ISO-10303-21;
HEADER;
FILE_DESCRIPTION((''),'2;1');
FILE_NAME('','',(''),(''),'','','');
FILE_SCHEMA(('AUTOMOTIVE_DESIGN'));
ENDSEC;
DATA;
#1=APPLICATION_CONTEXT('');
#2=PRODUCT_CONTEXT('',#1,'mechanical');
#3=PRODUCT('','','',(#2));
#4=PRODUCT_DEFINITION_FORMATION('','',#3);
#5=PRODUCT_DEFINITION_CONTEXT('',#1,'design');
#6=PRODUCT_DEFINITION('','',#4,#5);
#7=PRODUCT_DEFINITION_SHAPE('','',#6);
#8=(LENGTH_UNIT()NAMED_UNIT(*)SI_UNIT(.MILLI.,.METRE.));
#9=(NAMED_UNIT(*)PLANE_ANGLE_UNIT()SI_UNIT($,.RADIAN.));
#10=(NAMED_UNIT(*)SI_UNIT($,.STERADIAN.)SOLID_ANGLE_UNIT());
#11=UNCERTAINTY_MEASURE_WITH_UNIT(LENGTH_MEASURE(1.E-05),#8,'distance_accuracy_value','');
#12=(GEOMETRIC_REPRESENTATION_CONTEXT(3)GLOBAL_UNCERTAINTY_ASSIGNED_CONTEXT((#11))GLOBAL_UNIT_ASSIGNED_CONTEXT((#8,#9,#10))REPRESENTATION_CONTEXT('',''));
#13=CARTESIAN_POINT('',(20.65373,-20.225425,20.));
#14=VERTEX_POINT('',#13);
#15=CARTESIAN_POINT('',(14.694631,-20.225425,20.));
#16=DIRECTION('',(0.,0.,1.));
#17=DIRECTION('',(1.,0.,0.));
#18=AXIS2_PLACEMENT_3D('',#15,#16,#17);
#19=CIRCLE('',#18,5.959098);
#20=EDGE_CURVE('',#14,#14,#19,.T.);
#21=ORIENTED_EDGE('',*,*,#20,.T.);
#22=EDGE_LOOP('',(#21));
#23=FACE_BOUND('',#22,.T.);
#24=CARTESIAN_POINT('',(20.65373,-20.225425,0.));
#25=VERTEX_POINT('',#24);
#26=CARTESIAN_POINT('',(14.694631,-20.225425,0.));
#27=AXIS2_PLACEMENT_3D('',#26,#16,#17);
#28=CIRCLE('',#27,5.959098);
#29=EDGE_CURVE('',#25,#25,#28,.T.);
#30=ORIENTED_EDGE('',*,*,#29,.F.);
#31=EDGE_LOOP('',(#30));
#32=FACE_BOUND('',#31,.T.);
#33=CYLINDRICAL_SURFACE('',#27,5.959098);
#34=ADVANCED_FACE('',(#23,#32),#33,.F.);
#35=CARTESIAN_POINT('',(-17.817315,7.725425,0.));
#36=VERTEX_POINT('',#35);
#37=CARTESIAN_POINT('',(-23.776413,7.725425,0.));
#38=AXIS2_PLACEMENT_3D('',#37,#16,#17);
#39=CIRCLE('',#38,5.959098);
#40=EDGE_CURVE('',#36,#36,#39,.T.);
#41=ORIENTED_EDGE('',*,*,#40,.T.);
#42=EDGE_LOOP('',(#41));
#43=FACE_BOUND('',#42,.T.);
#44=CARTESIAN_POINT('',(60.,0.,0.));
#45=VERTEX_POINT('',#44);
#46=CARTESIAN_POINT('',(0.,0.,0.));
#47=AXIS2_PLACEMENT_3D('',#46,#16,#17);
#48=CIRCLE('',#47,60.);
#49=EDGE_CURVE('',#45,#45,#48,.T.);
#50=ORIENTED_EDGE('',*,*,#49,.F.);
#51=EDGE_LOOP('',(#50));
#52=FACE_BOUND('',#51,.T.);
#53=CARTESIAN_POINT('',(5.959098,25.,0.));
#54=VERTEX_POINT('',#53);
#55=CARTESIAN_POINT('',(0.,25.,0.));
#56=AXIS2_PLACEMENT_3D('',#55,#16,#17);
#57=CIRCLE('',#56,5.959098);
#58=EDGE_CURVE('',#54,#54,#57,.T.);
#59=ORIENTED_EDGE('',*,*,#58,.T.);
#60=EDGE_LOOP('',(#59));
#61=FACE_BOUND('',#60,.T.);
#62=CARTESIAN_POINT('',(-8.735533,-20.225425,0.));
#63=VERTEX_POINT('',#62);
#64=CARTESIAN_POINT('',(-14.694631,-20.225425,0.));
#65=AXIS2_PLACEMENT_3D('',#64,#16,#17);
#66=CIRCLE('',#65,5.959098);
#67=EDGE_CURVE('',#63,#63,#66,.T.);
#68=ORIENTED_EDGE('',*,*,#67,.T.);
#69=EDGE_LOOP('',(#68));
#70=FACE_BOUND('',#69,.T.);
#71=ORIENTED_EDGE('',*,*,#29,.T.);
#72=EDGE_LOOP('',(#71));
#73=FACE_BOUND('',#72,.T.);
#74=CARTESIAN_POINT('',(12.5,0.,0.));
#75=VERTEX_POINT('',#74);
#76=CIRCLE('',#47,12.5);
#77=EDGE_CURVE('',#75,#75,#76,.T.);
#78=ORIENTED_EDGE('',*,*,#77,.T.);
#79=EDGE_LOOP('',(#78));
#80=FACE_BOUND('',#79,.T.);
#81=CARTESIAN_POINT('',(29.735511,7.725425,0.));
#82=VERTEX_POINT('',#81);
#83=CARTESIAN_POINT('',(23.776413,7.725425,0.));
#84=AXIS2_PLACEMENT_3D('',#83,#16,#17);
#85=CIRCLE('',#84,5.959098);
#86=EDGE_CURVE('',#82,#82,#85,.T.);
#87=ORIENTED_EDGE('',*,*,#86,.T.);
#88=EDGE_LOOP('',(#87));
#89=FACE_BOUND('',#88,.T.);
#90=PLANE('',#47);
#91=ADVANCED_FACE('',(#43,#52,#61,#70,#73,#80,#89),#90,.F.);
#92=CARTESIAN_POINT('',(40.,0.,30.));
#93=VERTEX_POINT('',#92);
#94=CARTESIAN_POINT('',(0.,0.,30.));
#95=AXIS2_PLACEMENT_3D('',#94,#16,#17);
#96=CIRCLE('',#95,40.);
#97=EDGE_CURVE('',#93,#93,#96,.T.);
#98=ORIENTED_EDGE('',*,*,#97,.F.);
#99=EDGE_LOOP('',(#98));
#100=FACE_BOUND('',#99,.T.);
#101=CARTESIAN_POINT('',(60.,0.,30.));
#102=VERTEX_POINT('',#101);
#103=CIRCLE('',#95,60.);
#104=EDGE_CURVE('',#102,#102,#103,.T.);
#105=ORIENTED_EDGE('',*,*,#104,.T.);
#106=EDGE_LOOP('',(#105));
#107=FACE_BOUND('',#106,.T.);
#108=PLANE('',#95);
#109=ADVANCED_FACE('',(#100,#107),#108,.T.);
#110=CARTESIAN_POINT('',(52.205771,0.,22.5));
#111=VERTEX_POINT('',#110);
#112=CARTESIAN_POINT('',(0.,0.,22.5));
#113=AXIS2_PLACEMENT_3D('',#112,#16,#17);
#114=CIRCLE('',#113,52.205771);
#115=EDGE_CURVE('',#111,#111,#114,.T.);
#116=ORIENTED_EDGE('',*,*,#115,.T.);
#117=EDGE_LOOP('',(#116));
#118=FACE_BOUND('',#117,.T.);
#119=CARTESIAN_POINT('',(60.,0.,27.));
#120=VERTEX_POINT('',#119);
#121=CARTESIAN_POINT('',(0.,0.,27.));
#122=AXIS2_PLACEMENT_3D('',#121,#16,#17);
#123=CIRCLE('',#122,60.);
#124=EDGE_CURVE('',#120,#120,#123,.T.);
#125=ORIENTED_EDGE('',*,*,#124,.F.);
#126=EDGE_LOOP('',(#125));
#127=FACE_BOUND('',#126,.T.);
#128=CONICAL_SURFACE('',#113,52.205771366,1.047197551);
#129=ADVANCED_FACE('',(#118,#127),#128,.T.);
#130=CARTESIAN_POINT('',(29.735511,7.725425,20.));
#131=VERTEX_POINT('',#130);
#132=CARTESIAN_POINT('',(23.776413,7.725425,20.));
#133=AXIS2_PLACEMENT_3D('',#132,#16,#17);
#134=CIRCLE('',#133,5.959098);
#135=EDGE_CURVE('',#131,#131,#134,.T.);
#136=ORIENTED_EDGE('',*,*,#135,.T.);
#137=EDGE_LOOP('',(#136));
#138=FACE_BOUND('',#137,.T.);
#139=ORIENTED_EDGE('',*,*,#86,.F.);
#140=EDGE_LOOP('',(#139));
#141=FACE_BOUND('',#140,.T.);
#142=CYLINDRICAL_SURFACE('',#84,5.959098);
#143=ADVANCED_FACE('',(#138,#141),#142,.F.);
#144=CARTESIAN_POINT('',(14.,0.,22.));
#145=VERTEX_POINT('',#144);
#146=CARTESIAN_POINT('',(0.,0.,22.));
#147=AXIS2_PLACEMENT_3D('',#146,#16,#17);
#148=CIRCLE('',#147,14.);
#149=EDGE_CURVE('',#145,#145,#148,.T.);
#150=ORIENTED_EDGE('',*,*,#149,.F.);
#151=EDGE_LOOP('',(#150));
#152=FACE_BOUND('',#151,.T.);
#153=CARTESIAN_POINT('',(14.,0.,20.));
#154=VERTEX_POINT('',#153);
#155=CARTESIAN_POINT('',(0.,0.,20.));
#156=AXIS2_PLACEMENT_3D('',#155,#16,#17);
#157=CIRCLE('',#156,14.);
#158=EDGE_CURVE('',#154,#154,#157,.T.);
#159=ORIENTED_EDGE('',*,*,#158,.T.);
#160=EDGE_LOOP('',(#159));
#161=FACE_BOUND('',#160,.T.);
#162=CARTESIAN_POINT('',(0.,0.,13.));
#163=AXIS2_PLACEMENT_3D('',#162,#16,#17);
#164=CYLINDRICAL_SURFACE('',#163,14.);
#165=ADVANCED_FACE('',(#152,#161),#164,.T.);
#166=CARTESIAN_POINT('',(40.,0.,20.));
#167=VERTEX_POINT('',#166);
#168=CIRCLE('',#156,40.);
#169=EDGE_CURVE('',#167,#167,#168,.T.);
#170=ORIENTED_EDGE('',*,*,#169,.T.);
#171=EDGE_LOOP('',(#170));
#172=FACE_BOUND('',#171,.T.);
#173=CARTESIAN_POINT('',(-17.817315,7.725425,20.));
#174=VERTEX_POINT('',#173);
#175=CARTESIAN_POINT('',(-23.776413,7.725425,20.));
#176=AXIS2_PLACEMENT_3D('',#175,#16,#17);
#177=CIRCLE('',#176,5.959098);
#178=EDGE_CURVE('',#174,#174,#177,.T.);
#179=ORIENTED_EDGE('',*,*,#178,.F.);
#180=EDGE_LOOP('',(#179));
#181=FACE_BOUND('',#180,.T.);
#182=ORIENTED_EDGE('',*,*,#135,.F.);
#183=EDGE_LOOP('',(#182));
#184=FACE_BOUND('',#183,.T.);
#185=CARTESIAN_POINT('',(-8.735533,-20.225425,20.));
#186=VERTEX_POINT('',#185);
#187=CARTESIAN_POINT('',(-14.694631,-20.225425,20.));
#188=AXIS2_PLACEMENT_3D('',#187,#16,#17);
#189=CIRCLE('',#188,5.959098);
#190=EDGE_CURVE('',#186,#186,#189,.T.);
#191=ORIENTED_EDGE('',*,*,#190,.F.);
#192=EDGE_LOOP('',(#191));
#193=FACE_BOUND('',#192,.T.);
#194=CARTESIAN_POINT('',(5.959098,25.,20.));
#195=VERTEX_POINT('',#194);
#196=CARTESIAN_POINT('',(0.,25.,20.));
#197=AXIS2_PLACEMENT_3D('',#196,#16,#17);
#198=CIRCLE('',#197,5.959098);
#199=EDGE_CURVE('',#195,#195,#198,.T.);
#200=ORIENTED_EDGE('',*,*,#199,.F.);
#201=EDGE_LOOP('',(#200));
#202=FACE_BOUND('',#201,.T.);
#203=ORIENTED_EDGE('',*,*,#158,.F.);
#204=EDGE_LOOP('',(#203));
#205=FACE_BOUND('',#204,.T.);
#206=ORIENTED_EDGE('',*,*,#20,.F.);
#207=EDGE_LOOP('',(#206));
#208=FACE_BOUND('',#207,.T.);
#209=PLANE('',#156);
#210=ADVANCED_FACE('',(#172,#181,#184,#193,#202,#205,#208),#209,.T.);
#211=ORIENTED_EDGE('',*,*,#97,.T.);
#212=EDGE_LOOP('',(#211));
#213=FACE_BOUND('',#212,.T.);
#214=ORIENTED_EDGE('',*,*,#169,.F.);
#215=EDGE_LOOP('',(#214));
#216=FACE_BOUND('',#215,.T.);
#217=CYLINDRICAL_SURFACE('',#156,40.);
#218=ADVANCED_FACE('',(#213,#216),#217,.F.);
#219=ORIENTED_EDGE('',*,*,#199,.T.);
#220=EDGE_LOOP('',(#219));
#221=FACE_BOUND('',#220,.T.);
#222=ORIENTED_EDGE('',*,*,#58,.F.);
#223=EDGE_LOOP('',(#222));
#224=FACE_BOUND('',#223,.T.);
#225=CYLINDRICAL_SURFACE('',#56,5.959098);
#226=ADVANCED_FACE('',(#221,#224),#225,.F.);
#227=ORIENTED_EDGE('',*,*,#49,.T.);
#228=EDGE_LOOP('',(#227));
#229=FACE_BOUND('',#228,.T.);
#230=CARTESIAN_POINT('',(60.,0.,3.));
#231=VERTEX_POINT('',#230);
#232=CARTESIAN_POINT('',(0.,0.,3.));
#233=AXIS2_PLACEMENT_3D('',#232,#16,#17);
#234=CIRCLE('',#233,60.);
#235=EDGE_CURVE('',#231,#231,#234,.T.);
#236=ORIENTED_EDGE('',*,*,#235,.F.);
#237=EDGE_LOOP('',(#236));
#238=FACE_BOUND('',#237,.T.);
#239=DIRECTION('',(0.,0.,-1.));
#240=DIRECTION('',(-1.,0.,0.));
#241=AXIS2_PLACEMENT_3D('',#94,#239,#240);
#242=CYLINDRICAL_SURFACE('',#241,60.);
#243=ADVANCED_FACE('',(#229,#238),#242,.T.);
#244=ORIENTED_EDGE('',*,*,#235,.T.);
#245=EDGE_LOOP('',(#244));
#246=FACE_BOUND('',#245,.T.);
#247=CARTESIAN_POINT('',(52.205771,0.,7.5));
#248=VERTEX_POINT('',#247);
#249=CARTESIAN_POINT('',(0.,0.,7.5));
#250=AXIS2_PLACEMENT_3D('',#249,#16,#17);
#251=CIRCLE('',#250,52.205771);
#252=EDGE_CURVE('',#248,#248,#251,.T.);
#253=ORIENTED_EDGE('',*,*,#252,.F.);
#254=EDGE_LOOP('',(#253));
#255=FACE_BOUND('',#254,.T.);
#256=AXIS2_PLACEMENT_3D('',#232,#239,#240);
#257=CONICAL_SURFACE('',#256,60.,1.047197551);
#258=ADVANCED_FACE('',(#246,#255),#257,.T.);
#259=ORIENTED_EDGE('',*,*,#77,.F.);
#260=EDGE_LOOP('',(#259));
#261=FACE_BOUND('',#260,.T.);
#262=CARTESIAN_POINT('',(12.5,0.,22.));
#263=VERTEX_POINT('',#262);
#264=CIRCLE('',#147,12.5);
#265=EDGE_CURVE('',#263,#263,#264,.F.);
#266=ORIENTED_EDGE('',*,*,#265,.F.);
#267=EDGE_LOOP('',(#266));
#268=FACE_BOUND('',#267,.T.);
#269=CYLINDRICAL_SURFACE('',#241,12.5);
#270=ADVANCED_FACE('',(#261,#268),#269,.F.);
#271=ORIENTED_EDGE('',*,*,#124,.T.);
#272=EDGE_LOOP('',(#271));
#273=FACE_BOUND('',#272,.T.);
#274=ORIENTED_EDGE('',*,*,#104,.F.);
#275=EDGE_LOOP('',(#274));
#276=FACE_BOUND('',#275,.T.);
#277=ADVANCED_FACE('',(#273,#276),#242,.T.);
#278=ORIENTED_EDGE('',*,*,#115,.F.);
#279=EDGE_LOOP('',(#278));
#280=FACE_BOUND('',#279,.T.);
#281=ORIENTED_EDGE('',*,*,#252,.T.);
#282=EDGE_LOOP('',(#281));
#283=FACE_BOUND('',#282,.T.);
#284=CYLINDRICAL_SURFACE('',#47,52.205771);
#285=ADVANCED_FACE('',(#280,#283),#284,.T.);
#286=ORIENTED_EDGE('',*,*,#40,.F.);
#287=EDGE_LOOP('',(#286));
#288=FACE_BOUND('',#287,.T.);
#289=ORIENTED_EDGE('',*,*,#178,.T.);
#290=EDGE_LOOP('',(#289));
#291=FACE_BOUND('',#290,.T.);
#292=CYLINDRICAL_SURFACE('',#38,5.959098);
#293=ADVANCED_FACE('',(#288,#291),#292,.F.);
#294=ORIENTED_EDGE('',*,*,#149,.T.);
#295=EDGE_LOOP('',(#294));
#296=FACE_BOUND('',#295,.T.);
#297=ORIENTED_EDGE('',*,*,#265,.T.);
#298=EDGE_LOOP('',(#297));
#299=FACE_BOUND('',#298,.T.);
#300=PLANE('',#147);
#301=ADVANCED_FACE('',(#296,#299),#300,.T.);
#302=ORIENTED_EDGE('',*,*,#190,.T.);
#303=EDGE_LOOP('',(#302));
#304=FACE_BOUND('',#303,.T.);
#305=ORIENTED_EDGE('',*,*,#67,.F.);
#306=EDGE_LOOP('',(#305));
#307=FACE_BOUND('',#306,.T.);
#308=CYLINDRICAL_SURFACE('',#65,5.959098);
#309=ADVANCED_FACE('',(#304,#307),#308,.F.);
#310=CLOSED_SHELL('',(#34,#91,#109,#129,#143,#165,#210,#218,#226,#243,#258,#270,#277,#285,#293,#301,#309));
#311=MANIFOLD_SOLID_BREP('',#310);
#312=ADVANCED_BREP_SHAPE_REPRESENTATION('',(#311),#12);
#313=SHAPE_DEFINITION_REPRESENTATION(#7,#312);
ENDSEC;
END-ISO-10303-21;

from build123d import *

# Parameters (mm, degrees)
SKETCH1_R                = 60
SKETCH1_R_2              = 12.5
BOSS_EXTRUDE2_DEPTH      = 30
SKETCH3_R                = 40
CUT_EXTRUDE3_DEPTH       = 10
SKETCH4_R                = 5.959098303
CUT_EXTRUDE4_DEPTH       = 21
SKETCH7_R                = 14
SKETCH7_R_2              = 12.5
BOSS_EXTRUDE6_DEPTH      = 2
BOSS_EXTRUDE6_DEPTH_BACK = 7


with BuildPart() as part:
    # Sketch1 → Boss-Extrude2 (new body)
    with BuildSketch(Plane.XY):
        Circle(SKETCH1_R)
        Circle(SKETCH1_R_2, mode=Mode.SUBTRACT)
    extrude(amount=BOSS_EXTRUDE2_DEPTH)

    # Sketch3 → Cut-Extrude3 (cut)
    with BuildSketch(Plane.XY.offset(30)):
        Circle(SKETCH3_R)
    cut_extrude3 = extrude(amount=-CUT_EXTRUDE3_DEPTH, mode=Mode.SUBTRACT)

    # Mirror6: Cut-Extrude3 across plane
    add(cut_extrude3.mirror(Plane.XY), mode=Mode.SUBTRACT)

    # Sketch4 → Cut-Extrude4 (cut, through all)
    with BuildSketch(Plane.XY.offset(20)):
        with Locations((0, 25)):
            Circle(SKETCH4_R)
        with Locations((23.776412907, 7.725424859)):
            Circle(SKETCH4_R)
        with Locations((14.694631307, -20.225424859)):
            Circle(SKETCH4_R)
        with Locations((-14.694631307, -20.225424859)):
            Circle(SKETCH4_R)
        with Locations((-23.776412907, 7.725424859)):
            Circle(SKETCH4_R)
    extrude(amount=-CUT_EXTRUDE4_DEPTH, mode=Mode.SUBTRACT)

    # Sketch6 → Cut-Revolve1 (revolve, cut)
    with BuildSketch(Plane(origin=(0, 0, 0), x_dir=(1, 0, 0), z_dir=(0, 1, 0))):
        Polygon((60, -3), (52.205771366, -7.5), (52.205771366, -22.5), (60, -27), align=None)
    revolve(axis=Axis((0, 0, 0), (0, 0, -1)), mode=Mode.SUBTRACT)

    # Sketch7 → Boss-Extrude6 (add, two sides)
    with BuildSketch(Plane.XY.offset(20)) as boss_extrude6_sk:
        Circle(SKETCH7_R)
        Circle(SKETCH7_R_2, mode=Mode.SUBTRACT)
    extrude(amount=BOSS_EXTRUDE6_DEPTH)
    extrude(boss_extrude6_sk.sketch, amount=-BOSS_EXTRUDE6_DEPTH_BACK)


solid = part.part
